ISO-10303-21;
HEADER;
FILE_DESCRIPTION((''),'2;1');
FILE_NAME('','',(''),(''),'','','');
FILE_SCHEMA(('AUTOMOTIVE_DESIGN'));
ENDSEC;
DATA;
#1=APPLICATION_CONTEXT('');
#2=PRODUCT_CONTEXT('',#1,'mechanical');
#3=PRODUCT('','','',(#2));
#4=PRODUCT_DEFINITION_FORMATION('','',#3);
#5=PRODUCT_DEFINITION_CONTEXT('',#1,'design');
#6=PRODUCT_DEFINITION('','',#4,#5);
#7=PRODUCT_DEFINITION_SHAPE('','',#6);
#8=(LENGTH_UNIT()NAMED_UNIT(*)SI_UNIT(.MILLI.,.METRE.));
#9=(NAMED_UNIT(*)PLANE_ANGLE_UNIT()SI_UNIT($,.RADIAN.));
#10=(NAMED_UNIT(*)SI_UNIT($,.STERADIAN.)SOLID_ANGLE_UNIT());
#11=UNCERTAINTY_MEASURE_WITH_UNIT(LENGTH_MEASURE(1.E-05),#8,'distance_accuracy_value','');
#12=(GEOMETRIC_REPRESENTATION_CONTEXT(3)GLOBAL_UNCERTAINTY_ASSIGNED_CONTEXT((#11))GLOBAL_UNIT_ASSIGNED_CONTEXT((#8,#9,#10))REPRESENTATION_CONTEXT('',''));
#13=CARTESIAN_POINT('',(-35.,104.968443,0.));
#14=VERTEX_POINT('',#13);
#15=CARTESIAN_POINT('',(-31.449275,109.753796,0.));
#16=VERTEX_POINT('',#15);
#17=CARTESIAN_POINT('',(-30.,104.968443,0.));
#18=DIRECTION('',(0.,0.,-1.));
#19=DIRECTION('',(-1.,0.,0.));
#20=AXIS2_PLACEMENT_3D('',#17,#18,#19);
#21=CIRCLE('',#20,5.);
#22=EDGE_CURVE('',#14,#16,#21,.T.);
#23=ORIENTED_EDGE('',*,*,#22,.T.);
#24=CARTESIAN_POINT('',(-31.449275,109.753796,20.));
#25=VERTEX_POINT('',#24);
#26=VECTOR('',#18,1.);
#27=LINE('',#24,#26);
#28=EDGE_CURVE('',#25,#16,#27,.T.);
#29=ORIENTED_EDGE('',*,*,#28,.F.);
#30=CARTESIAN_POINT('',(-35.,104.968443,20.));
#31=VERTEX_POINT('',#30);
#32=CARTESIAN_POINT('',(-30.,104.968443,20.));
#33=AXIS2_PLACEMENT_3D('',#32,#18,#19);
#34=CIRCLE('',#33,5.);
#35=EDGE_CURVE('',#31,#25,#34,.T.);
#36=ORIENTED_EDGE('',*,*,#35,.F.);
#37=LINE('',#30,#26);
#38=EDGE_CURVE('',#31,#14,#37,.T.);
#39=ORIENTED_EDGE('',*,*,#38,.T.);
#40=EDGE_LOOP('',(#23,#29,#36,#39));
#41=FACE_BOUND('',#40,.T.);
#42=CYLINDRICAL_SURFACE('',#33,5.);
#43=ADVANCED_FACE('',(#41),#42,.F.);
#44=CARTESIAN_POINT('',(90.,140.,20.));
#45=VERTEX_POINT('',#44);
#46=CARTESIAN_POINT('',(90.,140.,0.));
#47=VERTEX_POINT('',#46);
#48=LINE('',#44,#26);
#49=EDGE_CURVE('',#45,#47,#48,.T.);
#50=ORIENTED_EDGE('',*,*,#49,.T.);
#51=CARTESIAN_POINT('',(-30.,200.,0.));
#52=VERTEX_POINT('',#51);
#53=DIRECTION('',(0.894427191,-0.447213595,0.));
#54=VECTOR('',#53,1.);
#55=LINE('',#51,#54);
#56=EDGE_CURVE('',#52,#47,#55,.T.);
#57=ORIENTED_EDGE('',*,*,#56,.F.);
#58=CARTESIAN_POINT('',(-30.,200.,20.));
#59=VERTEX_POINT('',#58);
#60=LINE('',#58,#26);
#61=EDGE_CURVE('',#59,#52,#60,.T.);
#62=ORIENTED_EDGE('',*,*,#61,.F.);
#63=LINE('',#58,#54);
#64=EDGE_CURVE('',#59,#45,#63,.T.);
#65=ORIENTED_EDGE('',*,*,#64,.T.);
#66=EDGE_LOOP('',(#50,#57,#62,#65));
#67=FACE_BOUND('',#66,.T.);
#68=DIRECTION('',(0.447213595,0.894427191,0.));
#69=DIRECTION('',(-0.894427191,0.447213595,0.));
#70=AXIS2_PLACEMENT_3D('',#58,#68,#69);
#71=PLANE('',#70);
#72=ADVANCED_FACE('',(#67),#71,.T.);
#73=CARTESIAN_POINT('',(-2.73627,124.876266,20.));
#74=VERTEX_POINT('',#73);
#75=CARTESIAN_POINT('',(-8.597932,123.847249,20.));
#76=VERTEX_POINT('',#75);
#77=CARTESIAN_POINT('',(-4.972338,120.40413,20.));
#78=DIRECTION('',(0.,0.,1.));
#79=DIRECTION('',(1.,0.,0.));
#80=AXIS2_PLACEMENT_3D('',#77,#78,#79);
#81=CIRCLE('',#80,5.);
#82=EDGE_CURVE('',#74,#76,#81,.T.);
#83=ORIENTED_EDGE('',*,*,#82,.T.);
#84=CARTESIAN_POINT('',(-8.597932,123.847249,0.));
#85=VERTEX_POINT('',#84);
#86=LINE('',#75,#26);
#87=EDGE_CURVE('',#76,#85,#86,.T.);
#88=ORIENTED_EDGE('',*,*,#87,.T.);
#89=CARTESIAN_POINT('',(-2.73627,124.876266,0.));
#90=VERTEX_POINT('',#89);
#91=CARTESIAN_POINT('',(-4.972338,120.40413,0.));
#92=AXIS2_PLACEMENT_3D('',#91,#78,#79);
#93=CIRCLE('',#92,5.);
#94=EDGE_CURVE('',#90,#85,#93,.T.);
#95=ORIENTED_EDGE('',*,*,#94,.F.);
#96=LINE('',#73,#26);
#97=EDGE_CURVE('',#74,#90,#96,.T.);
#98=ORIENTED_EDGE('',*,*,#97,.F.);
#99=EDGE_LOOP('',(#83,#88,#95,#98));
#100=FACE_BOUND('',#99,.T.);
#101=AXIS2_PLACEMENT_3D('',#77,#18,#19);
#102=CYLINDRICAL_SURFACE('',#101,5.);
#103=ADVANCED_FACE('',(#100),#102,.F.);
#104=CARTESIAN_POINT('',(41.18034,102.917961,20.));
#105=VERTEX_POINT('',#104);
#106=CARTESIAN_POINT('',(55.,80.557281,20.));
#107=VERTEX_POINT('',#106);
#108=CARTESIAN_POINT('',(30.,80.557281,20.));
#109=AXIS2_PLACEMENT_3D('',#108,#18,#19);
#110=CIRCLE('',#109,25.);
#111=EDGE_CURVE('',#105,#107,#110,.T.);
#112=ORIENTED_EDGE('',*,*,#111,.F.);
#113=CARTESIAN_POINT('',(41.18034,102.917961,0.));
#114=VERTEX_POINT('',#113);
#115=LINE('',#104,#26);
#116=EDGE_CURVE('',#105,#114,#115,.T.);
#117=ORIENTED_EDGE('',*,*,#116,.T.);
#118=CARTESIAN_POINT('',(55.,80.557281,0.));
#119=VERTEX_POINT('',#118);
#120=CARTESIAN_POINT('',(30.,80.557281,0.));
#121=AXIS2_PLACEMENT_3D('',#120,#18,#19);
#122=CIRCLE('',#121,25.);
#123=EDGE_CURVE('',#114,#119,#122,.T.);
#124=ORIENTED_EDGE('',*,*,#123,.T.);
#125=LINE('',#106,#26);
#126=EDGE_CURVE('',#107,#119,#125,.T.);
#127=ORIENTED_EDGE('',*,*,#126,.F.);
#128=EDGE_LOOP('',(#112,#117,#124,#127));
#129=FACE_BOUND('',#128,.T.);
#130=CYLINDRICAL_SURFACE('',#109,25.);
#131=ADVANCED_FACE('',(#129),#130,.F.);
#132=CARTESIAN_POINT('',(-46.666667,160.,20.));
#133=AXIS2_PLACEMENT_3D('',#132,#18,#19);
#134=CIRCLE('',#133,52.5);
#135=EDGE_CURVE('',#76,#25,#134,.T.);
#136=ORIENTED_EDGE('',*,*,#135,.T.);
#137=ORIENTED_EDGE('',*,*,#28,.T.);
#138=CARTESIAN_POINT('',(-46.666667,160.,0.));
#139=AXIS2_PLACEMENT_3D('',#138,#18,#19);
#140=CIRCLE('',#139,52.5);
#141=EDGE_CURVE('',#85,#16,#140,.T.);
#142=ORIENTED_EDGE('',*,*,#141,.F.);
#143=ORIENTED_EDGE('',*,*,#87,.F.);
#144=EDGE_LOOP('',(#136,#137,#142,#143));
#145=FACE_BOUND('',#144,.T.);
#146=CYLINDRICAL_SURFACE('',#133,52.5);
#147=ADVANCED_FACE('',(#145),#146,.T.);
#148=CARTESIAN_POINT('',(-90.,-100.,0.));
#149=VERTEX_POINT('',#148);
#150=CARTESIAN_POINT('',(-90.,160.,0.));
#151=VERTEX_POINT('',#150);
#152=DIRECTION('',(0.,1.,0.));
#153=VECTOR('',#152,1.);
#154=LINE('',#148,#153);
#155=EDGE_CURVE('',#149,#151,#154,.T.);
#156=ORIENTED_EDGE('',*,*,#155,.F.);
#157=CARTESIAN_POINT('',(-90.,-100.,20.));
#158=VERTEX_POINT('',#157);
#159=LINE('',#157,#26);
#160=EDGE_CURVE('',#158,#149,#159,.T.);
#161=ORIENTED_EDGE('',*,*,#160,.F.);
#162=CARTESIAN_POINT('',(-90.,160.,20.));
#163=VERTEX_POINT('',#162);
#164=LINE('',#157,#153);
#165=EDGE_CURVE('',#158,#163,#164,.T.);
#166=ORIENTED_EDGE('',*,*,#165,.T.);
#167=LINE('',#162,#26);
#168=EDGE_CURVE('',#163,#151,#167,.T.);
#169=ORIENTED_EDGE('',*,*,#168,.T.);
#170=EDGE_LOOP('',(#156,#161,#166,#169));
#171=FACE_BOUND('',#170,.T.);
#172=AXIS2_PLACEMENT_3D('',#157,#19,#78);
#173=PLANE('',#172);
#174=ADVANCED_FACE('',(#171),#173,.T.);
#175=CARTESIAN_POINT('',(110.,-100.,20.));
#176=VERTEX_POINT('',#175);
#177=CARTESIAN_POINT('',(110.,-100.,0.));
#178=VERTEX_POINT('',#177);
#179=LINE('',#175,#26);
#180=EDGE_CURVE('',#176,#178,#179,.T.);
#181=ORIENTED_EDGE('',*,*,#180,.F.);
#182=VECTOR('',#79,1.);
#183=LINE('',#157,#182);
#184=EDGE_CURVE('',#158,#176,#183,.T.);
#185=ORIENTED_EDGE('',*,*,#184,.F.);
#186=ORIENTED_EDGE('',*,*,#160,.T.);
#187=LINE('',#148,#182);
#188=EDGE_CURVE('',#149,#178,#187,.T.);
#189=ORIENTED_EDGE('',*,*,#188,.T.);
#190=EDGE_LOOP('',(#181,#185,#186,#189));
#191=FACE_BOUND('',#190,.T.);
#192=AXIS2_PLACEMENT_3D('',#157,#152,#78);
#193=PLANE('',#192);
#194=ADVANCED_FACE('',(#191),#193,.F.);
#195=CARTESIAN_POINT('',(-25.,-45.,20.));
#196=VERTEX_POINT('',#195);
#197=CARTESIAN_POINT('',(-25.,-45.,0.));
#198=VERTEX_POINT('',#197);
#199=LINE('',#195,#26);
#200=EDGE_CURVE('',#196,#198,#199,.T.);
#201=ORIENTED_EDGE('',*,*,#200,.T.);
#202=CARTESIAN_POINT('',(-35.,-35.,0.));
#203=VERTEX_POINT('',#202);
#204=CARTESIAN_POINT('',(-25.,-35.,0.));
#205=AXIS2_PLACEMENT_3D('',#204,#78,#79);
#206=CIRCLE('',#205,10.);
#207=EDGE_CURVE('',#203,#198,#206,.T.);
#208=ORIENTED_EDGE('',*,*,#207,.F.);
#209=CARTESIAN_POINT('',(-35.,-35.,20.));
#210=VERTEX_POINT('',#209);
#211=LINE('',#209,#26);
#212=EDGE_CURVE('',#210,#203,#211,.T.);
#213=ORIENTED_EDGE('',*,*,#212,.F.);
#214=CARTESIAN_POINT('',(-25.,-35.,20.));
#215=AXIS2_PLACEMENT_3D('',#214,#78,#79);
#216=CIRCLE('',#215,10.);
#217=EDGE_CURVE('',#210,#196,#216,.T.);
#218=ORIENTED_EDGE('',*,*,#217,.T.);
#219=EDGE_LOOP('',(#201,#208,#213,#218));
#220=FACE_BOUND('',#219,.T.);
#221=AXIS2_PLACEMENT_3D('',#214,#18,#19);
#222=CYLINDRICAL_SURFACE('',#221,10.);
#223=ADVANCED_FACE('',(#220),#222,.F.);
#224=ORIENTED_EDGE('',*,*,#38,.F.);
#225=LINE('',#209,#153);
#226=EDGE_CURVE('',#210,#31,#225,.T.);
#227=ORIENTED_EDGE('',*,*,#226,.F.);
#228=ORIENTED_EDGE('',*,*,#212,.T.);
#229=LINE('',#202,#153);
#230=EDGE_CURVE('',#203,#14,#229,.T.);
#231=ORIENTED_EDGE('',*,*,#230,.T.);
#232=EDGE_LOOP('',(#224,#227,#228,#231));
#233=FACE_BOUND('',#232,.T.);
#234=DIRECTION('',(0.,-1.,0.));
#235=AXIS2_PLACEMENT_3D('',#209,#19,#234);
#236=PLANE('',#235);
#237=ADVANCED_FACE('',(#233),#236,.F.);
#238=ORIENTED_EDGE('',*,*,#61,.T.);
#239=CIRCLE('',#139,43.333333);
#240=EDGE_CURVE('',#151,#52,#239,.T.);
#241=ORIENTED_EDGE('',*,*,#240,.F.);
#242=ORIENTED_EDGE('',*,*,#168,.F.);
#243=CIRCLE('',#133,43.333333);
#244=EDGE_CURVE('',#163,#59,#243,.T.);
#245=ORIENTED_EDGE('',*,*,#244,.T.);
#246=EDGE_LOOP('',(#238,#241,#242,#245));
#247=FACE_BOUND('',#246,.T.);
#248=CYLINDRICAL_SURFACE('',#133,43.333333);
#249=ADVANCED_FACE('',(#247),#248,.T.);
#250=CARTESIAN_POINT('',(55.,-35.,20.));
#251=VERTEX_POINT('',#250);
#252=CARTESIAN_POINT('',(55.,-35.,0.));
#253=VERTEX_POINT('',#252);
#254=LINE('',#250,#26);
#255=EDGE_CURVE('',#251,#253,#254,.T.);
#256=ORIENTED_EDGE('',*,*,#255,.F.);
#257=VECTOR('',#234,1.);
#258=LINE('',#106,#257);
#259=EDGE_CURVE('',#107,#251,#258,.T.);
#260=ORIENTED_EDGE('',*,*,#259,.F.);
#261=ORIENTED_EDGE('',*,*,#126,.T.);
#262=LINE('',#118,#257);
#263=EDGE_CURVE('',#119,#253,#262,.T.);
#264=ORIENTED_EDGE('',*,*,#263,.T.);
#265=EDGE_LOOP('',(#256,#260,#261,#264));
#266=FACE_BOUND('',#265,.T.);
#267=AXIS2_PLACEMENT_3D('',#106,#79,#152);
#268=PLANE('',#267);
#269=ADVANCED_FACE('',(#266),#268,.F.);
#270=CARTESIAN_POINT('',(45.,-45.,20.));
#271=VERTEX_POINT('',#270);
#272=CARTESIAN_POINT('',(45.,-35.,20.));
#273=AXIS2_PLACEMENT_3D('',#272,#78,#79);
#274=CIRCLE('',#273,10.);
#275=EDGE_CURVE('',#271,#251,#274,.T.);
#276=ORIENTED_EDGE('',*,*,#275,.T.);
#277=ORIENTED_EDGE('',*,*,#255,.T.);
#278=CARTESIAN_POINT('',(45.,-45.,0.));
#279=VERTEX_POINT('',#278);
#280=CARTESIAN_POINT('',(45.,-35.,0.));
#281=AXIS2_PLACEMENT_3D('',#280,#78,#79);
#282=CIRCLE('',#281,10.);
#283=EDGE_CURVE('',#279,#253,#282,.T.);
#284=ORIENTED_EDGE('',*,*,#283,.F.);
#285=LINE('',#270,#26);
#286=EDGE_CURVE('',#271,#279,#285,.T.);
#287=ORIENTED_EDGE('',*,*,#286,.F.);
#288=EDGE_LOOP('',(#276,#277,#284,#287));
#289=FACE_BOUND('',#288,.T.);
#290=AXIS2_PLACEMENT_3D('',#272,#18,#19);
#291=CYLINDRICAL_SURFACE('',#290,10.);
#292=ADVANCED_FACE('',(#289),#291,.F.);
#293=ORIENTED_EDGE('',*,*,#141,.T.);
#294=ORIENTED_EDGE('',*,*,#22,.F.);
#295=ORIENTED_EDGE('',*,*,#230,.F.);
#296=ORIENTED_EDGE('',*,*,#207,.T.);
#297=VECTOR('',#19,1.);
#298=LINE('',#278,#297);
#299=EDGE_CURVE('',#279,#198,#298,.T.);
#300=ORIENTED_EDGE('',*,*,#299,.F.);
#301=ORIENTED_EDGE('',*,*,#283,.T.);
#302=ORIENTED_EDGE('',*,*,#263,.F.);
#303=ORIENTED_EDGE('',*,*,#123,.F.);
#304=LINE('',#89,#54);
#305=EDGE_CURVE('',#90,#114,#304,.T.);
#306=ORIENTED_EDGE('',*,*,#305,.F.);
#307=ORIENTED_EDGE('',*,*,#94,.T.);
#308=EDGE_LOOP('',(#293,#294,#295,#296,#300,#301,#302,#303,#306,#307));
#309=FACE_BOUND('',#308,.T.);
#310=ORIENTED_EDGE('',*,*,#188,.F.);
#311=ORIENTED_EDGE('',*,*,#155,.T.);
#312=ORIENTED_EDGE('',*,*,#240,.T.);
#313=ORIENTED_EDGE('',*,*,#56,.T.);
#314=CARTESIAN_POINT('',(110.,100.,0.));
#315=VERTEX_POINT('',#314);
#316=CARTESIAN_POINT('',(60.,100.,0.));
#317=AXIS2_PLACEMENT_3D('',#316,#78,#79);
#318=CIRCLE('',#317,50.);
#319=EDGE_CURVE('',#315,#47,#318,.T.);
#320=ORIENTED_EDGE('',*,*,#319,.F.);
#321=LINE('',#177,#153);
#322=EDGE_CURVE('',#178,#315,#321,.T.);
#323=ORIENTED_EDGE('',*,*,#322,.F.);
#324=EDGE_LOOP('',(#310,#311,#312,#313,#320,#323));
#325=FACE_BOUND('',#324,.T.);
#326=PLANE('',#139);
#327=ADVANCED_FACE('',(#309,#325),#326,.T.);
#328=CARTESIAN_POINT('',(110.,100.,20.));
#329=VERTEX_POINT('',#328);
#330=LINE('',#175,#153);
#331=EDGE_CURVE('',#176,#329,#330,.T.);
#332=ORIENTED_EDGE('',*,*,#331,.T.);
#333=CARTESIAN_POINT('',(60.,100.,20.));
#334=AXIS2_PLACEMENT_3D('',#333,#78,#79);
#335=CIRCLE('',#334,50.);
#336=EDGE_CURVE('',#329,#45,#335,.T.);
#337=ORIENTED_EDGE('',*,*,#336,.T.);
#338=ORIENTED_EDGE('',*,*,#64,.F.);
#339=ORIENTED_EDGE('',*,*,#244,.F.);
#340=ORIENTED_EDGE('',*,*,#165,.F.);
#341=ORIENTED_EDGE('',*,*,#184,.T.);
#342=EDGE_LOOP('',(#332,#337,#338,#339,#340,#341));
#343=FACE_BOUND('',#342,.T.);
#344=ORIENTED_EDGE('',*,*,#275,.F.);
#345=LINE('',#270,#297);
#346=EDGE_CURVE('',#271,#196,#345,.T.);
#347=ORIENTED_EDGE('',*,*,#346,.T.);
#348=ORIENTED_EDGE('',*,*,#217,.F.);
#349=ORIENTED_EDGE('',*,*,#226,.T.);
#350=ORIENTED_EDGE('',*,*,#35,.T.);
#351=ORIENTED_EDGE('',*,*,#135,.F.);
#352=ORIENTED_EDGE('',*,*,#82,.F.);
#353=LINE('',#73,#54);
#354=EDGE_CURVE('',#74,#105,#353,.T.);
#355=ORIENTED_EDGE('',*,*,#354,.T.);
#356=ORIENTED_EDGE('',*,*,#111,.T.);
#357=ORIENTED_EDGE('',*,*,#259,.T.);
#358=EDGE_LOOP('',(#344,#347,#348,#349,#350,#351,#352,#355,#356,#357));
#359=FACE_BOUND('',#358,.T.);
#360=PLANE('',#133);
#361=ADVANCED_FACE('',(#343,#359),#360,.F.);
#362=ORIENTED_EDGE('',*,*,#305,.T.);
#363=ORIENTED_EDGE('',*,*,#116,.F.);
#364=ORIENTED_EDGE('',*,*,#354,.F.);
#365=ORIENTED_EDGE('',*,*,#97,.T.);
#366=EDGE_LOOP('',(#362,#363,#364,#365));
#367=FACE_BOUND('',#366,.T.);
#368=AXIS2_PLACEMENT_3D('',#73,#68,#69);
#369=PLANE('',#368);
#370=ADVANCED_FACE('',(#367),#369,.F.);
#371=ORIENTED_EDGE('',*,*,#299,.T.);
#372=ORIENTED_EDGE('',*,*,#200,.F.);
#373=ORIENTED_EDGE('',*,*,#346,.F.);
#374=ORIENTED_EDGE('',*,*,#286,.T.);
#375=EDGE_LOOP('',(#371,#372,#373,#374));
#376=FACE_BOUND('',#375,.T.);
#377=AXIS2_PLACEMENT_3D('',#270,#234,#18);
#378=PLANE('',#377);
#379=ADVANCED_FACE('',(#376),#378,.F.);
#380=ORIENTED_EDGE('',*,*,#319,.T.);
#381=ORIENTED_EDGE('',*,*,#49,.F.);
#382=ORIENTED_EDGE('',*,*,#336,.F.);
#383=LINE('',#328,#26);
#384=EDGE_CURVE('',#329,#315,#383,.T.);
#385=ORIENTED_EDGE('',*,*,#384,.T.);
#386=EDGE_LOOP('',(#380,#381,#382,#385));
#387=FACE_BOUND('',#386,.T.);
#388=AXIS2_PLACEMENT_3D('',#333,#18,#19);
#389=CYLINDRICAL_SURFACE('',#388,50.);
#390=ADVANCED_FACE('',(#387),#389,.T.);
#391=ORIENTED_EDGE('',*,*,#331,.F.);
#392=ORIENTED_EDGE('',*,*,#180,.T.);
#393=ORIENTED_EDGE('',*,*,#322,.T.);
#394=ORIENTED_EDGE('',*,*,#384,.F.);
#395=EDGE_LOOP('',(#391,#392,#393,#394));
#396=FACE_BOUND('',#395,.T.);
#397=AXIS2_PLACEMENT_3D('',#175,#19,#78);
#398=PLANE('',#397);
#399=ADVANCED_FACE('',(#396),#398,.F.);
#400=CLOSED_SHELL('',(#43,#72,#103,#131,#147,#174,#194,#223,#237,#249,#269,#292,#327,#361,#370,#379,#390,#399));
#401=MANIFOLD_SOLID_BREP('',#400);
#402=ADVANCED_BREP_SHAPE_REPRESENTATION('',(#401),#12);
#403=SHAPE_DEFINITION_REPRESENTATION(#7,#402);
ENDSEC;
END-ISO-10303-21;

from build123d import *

# Parameters (mm, degrees)
BASE_EXTRUDE_DEPTH = 20
CUT_EXTRUDE2_DEPTH = 233.044057119


with BuildPart() as part:
    # Sketch1 → Base-Extrude (new body)
    with BuildSketch(Plane.XY):
        with BuildLine():
            Line((-90, -100), (110, -100))
            Line((110, -100), (110, 100))
            ThreePointArc((110, 100), (104.72135955, 122.360679775), (90, 140))
            Line((90, 140), (-30, 200))
            ThreePointArc((-30, 200), (-70.70367517, 196.055512755), (-90, 160))
            Line((-90, 160), (-90, -100))
        make_face()
    extrude(amount=BASE_EXTRUDE_DEPTH)

    # Sketch3 → Cut-Extrude2 (cut, through all)
    with BuildSketch(Plane(origin=(0, 0, 0), x_dir=(-1, 0, 0), z_dir=(0, 0, -1))):
        with BuildLine():
            Line((2.736269939, 124.876265588), (-41.180339887, 102.917960675))
            ThreePointArc((-41.180339887, 102.917960675), (-51.266270209, 93.700558703), (-55, 80.5572809))
            Line((-55, 80.5572809), (-55, -35))
            ThreePointArc((-55, -35), (-52.071067812, -42.071067812), (-45, -45))
            Line((-45, -45), (25, -45))
            ThreePointArc((25, -45), (32.071067812, -42.071067812), (35, -35))
            Line((35, -35), (35, 104.968443396))
            ThreePointArc((35, 104.968443396), (34.015369025, 107.947841254), (31.449275362, 109.753796144))
            ThreePointArc((31.449275362, 109.753796144), (19.107472836, 115.315093875), (8.597931721, 123.847248796))
            ThreePointArc((8.597931721, 123.847248796), (5.836869232, 125.328821056), (2.736269939, 124.876265588))
        make_face()
    extrude(amount=-CUT_EXTRUDE2_DEPTH, mode=Mode.SUBTRACT)


solid = part.part
